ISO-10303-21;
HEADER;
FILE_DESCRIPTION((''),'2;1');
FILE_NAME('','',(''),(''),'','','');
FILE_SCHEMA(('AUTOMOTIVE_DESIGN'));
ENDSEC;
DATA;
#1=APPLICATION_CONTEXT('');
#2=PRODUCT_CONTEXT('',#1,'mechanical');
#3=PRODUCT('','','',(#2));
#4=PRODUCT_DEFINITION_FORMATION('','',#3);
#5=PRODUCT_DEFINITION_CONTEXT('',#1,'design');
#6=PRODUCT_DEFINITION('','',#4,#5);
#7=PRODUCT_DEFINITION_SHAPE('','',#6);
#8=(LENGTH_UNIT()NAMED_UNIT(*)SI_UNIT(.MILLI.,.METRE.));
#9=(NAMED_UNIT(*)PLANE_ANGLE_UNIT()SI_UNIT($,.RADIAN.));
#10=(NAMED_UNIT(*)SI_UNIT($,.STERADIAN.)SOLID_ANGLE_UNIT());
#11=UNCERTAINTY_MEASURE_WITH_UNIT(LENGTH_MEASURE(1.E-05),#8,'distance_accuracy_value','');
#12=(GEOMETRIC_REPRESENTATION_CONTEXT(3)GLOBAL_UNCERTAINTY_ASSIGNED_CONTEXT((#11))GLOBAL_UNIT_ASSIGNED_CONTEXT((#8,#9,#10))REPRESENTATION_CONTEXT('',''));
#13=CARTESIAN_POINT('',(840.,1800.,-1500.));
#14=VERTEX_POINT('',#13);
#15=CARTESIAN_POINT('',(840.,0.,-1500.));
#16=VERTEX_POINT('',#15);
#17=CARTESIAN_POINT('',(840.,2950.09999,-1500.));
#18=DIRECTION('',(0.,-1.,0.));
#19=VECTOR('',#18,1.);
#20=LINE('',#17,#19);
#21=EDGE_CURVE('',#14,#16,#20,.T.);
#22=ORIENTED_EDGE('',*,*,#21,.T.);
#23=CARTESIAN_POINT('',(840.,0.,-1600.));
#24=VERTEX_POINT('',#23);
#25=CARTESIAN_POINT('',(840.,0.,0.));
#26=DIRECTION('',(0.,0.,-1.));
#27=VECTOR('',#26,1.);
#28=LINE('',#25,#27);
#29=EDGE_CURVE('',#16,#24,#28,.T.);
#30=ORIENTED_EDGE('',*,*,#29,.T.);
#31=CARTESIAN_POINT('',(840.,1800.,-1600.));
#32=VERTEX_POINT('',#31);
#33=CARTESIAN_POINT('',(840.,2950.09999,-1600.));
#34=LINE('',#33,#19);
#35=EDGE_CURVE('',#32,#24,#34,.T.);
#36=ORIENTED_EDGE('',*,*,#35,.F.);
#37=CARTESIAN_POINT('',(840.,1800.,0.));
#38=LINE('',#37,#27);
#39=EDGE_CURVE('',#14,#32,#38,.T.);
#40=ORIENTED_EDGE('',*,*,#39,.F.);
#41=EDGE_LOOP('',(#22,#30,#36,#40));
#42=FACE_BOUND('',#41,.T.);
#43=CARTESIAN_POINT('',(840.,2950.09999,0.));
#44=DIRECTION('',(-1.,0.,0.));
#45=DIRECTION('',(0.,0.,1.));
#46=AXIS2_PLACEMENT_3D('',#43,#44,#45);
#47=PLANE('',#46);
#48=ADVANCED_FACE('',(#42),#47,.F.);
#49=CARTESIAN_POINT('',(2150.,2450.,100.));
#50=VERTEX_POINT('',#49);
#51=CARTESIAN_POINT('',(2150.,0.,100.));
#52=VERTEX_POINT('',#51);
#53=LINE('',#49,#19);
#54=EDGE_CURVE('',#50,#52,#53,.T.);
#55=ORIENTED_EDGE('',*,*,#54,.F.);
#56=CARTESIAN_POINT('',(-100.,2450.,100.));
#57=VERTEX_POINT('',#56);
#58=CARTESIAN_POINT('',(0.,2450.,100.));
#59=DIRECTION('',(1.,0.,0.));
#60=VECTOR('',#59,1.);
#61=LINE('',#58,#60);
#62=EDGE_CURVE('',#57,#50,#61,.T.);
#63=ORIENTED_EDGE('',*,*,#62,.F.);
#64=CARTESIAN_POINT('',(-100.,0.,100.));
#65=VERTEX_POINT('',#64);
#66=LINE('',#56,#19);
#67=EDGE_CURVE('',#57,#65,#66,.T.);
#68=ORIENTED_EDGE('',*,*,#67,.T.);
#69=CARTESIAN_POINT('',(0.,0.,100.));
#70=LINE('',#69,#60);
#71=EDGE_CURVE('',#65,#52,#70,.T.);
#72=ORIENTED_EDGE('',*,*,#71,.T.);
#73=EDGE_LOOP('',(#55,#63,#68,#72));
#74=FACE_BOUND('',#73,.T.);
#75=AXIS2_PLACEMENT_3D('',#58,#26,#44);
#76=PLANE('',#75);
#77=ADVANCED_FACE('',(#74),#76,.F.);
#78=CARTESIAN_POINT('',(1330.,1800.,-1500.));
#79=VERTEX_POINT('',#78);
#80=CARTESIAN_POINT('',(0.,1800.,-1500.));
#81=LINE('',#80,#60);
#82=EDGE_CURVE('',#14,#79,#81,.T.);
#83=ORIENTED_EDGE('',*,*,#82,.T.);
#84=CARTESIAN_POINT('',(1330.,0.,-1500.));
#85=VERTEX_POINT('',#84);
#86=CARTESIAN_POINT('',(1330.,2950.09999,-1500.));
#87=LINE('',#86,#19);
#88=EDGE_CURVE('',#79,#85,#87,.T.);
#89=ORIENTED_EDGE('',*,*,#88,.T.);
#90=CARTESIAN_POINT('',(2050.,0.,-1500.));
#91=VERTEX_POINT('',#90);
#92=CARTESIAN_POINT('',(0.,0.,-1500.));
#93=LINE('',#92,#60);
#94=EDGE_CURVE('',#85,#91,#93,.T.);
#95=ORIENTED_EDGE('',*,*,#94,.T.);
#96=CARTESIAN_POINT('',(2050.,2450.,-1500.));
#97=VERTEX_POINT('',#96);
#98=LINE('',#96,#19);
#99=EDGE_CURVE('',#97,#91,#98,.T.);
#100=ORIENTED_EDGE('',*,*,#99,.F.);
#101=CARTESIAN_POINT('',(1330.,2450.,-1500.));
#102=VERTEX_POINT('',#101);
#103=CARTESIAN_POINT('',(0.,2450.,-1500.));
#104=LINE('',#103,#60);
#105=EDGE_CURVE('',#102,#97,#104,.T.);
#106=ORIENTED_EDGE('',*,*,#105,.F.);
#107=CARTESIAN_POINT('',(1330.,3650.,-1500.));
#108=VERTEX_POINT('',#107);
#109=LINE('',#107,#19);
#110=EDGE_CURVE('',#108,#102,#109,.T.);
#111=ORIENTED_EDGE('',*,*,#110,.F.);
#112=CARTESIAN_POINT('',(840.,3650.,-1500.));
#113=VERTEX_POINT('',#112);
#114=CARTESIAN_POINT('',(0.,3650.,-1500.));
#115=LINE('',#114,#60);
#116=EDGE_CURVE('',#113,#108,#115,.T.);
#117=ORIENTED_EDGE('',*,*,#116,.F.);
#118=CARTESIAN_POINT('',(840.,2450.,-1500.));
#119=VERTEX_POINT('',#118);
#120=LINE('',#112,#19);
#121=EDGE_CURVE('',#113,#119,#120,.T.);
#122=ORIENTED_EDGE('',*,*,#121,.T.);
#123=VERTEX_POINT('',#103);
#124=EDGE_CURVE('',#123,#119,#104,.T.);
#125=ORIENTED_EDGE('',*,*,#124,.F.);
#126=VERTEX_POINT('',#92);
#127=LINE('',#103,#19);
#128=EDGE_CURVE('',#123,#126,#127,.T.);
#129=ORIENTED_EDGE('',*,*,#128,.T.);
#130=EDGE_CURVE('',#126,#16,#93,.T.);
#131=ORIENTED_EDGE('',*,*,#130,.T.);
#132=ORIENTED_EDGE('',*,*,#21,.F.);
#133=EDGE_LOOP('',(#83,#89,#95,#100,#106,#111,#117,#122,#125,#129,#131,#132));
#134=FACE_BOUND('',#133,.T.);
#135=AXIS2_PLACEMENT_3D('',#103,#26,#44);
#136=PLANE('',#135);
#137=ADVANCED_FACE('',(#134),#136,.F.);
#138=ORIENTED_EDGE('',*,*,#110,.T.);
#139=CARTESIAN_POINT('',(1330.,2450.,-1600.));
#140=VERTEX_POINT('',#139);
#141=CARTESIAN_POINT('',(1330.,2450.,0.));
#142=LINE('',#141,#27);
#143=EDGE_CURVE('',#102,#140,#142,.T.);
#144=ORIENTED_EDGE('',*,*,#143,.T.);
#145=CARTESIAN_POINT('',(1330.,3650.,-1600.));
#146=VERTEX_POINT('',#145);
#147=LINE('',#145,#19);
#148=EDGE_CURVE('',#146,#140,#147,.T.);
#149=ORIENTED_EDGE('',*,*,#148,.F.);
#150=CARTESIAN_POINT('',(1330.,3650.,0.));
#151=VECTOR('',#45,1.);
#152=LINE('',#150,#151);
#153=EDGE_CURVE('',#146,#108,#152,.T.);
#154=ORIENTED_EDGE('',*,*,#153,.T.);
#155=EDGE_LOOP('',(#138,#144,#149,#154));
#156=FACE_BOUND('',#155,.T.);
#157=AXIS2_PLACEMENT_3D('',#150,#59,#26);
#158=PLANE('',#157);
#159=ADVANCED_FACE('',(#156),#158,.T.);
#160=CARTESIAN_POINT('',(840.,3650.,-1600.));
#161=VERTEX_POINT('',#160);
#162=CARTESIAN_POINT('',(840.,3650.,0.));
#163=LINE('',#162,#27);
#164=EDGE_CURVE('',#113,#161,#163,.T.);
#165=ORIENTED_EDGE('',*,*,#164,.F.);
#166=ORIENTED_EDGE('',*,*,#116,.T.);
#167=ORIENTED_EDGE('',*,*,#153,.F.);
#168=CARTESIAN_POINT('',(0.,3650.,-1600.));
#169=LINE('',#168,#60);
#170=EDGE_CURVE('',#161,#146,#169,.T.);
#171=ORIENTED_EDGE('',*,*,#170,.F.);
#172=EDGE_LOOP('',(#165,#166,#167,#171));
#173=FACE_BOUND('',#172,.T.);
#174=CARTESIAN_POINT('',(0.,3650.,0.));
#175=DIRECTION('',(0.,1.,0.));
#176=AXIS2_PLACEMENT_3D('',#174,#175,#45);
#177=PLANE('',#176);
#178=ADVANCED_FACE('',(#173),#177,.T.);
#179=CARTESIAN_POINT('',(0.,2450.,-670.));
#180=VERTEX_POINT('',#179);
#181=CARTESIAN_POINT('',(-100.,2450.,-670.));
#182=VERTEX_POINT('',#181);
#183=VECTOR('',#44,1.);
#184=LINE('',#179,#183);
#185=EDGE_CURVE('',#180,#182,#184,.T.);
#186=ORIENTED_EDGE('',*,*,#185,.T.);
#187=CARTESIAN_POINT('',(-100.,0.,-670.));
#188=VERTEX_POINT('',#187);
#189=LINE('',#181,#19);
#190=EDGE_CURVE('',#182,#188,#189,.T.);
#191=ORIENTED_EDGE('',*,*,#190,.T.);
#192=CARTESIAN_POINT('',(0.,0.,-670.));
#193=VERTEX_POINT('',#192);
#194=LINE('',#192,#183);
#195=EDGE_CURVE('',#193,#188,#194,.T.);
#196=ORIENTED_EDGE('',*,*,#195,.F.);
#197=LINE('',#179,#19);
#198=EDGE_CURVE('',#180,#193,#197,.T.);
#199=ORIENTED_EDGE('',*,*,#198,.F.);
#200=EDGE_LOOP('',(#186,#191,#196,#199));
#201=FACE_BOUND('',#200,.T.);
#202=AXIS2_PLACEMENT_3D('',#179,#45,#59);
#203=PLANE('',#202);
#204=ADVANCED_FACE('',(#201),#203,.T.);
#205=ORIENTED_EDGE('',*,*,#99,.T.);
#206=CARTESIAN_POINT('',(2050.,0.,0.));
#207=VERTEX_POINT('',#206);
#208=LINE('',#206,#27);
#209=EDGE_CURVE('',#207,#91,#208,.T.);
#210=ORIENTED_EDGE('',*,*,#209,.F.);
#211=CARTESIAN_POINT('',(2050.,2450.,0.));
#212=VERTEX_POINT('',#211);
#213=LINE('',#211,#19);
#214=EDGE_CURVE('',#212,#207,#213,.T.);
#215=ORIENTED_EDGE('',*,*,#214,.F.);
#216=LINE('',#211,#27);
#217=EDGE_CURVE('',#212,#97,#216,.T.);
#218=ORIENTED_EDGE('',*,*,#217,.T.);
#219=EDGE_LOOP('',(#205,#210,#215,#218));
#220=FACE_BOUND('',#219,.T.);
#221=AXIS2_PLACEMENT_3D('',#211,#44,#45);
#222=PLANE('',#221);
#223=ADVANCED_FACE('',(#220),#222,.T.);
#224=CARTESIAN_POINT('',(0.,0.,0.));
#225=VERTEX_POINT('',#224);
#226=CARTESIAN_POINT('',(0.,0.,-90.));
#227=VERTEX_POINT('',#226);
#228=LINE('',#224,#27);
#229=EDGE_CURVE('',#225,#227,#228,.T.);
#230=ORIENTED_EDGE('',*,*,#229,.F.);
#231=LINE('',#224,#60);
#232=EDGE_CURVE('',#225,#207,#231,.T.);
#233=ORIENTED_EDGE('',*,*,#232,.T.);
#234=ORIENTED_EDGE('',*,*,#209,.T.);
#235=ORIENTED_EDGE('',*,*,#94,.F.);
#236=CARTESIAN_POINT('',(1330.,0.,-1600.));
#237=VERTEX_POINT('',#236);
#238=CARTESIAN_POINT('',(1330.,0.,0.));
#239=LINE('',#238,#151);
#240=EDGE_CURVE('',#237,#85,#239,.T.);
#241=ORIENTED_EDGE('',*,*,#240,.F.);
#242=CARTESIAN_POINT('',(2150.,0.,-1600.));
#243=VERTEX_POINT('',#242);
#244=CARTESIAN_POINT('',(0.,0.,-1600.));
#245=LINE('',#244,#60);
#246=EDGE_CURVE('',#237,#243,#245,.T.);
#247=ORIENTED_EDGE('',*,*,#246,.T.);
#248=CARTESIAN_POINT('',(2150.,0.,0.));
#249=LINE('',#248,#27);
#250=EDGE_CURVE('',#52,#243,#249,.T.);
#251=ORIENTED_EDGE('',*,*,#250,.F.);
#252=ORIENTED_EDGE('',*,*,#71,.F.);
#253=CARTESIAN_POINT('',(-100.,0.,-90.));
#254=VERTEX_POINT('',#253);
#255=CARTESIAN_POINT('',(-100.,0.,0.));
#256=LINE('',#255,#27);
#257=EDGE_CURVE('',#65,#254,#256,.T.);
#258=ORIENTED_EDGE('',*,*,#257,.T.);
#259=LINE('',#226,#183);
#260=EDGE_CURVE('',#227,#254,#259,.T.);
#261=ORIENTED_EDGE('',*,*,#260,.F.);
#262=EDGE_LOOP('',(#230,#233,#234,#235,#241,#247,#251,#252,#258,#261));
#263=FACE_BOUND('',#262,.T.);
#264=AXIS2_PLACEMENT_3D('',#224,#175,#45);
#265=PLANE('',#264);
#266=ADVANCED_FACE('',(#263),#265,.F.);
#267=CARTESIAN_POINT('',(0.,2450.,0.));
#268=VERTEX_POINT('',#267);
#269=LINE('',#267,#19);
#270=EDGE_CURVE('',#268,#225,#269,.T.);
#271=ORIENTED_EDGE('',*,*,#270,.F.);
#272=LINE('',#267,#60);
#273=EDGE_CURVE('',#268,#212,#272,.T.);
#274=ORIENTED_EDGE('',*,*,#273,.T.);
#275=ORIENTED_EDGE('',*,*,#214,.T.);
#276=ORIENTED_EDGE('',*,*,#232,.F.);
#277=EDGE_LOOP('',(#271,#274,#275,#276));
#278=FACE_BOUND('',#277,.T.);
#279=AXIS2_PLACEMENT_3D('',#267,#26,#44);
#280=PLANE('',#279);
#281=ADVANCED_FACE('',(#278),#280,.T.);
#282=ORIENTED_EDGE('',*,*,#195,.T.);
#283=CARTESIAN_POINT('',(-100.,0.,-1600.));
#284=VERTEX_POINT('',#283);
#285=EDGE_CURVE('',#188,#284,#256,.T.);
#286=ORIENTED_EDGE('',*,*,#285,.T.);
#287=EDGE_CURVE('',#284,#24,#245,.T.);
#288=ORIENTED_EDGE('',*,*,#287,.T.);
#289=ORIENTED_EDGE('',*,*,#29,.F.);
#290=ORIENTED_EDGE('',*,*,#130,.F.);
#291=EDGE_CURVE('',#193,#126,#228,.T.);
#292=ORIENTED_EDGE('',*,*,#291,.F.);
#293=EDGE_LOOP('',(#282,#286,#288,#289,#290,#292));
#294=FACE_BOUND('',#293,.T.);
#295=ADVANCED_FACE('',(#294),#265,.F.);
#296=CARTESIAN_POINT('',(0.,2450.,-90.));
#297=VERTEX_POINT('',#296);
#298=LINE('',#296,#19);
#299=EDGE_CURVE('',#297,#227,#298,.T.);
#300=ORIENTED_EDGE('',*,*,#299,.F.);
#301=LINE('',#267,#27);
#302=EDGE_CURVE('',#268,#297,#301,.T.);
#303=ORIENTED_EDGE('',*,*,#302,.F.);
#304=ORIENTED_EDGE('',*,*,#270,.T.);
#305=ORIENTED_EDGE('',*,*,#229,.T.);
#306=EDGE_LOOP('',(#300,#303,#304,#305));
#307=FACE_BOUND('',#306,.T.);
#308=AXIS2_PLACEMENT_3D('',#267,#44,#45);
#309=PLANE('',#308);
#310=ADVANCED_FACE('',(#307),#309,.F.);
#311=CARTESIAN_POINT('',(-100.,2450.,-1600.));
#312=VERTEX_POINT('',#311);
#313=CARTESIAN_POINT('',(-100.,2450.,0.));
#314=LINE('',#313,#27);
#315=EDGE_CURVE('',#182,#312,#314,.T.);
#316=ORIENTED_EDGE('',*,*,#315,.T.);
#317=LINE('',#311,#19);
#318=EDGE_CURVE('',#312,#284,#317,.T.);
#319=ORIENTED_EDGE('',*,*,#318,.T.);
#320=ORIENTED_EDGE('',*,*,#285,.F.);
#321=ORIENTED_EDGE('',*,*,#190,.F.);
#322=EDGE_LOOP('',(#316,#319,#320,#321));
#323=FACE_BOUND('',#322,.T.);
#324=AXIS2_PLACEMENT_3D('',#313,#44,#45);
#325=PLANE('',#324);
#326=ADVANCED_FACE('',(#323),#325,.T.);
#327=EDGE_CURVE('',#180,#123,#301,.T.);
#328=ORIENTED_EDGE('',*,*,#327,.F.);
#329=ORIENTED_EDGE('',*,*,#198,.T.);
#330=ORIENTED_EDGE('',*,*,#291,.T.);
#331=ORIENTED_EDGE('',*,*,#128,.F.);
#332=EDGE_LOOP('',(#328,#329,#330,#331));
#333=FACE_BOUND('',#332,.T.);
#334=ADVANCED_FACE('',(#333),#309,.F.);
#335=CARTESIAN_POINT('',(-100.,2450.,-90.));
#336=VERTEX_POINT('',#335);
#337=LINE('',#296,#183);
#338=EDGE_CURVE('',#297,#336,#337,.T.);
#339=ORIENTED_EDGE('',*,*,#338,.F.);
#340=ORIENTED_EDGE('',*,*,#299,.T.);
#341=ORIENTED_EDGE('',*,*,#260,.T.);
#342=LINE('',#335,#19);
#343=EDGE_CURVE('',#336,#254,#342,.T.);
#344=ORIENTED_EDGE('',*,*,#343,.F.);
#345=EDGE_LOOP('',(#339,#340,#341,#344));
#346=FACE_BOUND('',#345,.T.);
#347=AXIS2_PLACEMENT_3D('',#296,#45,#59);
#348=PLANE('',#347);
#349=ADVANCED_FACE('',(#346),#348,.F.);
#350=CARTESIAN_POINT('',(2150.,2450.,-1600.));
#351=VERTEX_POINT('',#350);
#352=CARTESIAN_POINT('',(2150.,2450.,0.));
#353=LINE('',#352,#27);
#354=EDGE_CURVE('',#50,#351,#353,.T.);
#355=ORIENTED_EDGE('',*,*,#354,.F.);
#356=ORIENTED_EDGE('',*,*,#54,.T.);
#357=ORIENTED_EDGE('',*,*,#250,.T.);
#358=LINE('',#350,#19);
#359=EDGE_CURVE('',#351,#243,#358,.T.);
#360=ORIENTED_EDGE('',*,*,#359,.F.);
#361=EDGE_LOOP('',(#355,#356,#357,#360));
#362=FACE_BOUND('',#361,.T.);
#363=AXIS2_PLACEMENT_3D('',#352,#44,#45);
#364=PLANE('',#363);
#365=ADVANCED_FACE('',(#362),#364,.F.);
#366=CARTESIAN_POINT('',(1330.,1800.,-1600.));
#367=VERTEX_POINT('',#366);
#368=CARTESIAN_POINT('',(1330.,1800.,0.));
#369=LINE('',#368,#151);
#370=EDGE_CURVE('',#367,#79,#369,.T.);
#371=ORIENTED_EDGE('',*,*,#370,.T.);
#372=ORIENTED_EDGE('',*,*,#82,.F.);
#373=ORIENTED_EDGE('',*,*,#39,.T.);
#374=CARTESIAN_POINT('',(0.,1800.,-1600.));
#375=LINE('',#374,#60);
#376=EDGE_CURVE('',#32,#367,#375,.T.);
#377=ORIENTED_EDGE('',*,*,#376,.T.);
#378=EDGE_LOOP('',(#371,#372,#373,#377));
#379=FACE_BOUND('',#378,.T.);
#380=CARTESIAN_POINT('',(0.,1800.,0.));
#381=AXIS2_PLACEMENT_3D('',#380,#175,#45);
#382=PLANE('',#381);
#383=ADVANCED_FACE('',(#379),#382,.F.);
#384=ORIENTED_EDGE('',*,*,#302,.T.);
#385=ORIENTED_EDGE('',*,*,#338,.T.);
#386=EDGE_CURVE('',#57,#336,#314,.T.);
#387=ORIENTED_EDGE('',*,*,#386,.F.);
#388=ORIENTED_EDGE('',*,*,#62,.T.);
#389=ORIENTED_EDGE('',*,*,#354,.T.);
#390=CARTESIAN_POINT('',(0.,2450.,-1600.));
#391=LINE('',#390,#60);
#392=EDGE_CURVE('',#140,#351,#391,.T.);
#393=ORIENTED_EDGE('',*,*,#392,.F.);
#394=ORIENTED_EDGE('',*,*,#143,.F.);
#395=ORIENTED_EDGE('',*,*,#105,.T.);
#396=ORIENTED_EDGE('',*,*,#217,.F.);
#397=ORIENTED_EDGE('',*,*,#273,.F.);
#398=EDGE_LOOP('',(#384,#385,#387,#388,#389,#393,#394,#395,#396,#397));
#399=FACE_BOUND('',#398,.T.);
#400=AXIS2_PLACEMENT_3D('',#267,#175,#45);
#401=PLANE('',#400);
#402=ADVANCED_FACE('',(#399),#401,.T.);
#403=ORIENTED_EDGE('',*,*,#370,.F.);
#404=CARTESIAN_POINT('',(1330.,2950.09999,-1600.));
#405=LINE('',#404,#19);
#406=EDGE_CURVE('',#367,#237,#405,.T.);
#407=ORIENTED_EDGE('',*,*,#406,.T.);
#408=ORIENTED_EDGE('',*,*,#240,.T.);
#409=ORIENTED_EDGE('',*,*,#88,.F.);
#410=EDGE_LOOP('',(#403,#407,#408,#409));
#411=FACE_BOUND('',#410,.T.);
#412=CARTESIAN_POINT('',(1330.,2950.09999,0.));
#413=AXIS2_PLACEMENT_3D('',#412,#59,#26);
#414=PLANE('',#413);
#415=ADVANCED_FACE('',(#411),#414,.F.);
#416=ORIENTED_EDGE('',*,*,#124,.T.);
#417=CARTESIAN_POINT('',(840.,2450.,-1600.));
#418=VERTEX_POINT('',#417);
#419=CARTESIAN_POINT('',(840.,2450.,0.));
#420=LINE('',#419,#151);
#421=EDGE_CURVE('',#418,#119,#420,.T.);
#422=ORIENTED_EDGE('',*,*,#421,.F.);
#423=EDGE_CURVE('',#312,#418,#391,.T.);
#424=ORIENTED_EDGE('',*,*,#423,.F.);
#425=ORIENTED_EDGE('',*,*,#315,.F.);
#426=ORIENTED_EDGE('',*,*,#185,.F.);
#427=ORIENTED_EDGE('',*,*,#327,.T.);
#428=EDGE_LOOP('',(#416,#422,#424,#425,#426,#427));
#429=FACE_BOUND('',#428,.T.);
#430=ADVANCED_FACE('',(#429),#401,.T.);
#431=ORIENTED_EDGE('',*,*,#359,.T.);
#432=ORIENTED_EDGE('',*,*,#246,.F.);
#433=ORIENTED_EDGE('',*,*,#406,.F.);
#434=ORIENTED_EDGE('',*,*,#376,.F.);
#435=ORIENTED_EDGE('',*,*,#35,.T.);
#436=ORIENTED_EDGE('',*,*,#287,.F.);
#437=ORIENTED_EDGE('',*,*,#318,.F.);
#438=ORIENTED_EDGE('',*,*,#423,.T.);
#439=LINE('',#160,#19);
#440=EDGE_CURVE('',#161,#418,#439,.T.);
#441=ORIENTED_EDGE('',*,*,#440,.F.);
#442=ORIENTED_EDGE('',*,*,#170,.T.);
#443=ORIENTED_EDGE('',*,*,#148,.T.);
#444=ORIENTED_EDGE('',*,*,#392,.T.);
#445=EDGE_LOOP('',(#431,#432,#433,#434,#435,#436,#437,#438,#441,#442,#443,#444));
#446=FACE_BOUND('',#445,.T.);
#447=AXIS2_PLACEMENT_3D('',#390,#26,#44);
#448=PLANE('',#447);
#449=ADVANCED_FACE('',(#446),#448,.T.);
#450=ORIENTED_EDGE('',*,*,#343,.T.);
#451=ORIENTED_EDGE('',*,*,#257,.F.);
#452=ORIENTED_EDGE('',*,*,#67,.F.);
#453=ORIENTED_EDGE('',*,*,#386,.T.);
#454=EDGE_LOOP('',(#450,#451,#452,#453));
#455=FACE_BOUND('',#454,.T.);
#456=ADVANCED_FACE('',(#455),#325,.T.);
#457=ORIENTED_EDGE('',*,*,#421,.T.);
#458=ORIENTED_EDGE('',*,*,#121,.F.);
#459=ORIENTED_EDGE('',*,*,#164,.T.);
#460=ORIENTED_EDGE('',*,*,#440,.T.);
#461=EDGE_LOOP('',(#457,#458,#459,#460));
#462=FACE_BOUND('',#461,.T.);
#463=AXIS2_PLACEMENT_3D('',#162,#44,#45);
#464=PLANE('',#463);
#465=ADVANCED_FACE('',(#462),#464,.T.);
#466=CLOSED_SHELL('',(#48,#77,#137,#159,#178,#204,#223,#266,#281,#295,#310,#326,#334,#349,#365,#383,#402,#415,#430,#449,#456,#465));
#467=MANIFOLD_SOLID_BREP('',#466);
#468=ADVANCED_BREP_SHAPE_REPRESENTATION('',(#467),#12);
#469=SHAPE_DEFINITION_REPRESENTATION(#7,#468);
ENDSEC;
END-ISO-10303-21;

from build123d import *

# Parameters (mm, degrees)
SKETCH1_W           = 300
SKETCH1_H           = 50
SKETCH1_W_2         = 490
SKETCH1_H_2         = 100
BOSS_EXTRUDE2_DEPTH = 2450
BOSS_EXTRUDE3_START = 1200
SKETCH1_5_W         = 490
SKETCH1_5_H         = 100
BOSS_EXTRUDE3_DEPTH = 2450
SKETCH1_6_W         = 490
SKETCH1_6_H         = 100
CUT_EXTRUDE1_DEPTH  = 1800


with BuildPart() as part:
    # Sketch1 → Boss-Extrude2 (new body)
    with BuildSketch(Plane(origin=(0, 0, 0), x_dir=(1, 0, 0), z_dir=(0, 1, 0))):
        Polygon((780, 1500), (840, 1500), (840, 1600), (-100, 1600), (-100, 670), (0, 670), (0, 1030), (0, 1500), align=None)
        Polygon((1330, 1500), (1360, 1500), (2050, 1500), (2050, 0), (1360, 0), (1160, 0), (1160, -50), (860, -50), (560, -50), (560, 0), (0, 0), (0, 90), (-100, 90), (-100, -100), (2150, -100), (2150, 1600), (1330, 1600), align=None)
        with Locations((1010, -25)):
            Rectangle(SKETCH1_W, SKETCH1_H)
        with Locations((710, -25)):
            Rectangle(SKETCH1_W, SKETCH1_H)
        with Locations((1085, 1550)):
            Rectangle(SKETCH1_W_2, SKETCH1_H_2)
    extrude(amount=BOSS_EXTRUDE2_DEPTH)

    # Sketch1<5> → Boss-Extrude3 (add)
    with BuildSketch(Plane(origin=(0, 0, 0), x_dir=(1, 0, 0), z_dir=(0, 1, 0)).offset(BOSS_EXTRUDE3_START)):
        with Locations((1085, 1550)):
            Rectangle(SKETCH1_5_W, SKETCH1_5_H)
    extrude(amount=BOSS_EXTRUDE3_DEPTH)

    # Sketch1<6> → Cut-Extrude1 (cut)
    with BuildSketch(Plane(origin=(0, 0, 0), x_dir=(1, 0, 0), z_dir=(0, 1, 0))):
        with Locations((1085, 1550)):
            Rectangle(SKETCH1_6_W, SKETCH1_6_H)
    extrude(amount=CUT_EXTRUDE1_DEPTH, mode=Mode.SUBTRACT)


solid = part.part
